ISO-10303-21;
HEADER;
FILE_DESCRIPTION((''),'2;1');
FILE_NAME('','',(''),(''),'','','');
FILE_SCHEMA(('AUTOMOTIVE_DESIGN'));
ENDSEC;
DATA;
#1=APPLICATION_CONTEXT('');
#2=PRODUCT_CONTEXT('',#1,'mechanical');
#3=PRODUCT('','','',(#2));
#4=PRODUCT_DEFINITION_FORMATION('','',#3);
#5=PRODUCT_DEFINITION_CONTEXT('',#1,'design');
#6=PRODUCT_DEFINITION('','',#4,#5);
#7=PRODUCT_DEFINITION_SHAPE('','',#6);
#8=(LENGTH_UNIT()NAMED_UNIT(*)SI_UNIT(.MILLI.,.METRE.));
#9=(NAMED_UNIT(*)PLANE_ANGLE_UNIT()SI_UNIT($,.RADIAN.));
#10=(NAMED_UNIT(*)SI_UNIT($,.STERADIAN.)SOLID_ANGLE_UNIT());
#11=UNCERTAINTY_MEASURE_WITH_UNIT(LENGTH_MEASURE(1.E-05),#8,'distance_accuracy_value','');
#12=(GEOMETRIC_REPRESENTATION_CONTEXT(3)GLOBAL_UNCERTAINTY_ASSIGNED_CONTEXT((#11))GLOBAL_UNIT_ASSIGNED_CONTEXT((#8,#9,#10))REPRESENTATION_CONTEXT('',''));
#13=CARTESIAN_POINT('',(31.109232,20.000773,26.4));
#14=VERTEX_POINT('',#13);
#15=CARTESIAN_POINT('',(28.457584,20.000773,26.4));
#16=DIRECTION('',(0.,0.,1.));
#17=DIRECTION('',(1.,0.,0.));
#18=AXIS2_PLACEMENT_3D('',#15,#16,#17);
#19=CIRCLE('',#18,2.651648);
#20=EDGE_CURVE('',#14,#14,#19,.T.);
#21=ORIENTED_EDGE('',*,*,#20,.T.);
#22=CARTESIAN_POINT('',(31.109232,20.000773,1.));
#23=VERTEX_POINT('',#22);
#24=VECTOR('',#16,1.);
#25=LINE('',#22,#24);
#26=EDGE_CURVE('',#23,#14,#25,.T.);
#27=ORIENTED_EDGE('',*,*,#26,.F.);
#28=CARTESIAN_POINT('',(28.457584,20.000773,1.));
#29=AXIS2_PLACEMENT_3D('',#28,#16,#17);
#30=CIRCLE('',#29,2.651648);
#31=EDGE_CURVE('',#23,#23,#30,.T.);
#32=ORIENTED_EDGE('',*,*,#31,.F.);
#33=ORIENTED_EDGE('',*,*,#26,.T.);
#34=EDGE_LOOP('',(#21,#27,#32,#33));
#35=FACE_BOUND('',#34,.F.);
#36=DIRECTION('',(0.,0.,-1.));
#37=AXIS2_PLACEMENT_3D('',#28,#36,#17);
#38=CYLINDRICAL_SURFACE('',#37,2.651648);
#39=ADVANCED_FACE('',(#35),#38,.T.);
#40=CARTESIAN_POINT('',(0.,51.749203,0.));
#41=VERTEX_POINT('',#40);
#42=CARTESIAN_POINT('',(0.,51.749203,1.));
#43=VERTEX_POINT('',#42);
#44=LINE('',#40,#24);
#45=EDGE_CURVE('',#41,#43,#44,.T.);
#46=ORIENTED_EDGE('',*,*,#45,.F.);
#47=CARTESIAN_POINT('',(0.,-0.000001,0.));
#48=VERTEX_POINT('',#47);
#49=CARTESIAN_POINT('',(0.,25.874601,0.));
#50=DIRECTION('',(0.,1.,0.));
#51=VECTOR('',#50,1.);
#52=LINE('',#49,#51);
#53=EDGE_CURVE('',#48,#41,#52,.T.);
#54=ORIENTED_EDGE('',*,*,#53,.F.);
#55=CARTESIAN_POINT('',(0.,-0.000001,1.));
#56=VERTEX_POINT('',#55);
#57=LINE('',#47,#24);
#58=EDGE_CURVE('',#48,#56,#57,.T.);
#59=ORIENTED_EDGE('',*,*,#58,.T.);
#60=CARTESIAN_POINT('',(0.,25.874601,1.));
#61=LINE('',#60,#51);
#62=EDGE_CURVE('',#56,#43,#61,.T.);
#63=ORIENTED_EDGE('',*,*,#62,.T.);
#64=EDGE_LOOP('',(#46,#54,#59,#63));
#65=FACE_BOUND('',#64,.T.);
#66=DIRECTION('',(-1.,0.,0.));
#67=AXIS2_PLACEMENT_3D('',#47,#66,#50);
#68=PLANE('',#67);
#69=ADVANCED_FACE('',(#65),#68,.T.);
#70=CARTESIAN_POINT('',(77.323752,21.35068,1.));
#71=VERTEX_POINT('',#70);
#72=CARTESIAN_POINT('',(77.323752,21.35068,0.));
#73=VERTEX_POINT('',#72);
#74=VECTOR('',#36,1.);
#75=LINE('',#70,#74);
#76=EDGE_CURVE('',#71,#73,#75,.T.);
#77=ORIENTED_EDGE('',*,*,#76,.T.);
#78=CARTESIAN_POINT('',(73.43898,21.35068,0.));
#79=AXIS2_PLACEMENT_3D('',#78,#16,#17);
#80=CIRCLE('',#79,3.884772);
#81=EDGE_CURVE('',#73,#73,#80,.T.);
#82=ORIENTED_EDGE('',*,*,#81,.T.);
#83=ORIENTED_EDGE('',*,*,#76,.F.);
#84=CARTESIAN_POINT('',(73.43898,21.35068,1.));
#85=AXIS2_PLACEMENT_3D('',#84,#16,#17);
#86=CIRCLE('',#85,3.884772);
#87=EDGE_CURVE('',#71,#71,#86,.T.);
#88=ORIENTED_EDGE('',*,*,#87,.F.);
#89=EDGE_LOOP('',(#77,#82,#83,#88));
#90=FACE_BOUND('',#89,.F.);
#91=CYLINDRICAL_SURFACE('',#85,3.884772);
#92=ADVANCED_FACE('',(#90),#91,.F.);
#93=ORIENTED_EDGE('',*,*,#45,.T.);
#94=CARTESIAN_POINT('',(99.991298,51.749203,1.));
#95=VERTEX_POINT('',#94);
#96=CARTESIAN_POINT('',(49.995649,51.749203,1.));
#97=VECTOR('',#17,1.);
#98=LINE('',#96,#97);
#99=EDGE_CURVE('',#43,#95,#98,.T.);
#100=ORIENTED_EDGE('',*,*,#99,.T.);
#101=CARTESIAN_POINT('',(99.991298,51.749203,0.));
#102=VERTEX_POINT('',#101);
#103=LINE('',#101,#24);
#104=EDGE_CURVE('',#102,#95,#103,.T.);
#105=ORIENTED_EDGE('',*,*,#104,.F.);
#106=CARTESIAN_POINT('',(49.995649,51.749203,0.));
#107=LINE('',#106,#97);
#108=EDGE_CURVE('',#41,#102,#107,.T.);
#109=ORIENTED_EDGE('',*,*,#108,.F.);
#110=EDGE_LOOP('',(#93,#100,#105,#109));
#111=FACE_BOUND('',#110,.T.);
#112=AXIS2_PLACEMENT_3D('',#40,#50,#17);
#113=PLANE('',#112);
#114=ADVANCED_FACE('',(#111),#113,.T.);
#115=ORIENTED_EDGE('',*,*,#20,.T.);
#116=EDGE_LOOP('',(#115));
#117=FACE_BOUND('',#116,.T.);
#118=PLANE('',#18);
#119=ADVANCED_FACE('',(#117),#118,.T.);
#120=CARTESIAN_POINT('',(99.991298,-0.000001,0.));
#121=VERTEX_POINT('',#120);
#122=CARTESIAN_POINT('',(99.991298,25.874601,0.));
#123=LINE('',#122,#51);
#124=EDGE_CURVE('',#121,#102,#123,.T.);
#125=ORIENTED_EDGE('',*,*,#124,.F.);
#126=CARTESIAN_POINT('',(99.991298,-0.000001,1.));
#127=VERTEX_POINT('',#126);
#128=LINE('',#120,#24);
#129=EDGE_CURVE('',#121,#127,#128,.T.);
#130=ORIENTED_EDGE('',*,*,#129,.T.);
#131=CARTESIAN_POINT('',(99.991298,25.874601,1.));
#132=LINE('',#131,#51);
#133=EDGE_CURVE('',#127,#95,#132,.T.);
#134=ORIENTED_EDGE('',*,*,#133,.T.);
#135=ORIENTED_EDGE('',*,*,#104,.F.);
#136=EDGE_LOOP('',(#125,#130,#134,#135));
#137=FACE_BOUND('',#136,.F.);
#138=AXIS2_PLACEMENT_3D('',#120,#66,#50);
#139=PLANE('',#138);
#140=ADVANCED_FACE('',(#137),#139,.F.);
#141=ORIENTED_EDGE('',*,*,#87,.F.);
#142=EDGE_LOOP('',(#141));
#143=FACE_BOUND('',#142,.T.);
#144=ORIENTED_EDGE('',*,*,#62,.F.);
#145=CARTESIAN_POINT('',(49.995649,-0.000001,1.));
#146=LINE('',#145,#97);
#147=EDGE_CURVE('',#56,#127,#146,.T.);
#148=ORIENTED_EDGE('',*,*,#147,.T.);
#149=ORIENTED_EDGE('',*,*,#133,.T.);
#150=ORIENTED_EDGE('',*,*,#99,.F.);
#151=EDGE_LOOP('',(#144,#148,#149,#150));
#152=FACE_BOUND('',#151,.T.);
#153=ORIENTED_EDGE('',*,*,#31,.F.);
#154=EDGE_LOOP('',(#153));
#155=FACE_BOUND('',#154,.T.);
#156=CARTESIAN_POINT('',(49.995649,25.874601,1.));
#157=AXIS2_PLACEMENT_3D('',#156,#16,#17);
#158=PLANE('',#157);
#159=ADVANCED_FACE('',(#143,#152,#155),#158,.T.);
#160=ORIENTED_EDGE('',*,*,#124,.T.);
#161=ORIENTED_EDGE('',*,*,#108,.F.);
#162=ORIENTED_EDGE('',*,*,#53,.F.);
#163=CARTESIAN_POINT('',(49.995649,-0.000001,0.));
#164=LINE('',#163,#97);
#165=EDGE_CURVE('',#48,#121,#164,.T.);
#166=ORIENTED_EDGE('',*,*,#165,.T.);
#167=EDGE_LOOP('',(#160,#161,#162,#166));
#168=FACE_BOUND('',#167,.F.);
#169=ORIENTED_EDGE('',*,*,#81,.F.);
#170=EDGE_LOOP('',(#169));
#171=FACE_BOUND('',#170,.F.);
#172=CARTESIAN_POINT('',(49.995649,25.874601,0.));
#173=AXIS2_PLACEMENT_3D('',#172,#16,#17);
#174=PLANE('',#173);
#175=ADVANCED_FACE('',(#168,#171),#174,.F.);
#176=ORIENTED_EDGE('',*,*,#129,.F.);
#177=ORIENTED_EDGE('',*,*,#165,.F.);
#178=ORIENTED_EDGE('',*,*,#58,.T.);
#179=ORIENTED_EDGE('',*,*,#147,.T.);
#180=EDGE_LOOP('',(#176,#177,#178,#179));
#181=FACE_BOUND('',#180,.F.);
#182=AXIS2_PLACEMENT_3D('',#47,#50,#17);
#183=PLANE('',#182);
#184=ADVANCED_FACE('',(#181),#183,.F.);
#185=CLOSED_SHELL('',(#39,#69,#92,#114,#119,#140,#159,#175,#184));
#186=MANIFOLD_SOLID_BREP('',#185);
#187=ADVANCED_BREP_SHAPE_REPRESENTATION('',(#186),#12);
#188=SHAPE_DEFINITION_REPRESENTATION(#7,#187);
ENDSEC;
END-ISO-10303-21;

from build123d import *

# Parameters (mm, degrees)
F0_W     = 99.991299
F0_H     = 51.749203
F1_DEPTH = 1
F2_R     = 3.884772
F3_DEPTH = 1.001
F4_R     = 2.651648
F5_DEPTH = 25.4


with BuildPart() as f1:
    # F0 (on Top) → F1 (new body)
    with BuildSketch(Plane.XY):
        with Locations((49.995649, 25.874601)):
            Rectangle(F0_W, F0_H)
    extrude(amount=F1_DEPTH)

    # F2 (on face) → F3 (cut, through all)
    with BuildSketch(Plane.XY.offset(1)):
        with Locations((73.43898, 21.35068)):
            Circle(F2_R)
    extrude(amount=-F3_DEPTH, mode=Mode.SUBTRACT)

    # F4 (on face) → F5 (join)
    with BuildSketch(Plane.XY.offset(1)):
        with Locations((28.457584, 20.000773)):
            Circle(F4_R)
    extrude(amount=F5_DEPTH)


solid = f1.part
